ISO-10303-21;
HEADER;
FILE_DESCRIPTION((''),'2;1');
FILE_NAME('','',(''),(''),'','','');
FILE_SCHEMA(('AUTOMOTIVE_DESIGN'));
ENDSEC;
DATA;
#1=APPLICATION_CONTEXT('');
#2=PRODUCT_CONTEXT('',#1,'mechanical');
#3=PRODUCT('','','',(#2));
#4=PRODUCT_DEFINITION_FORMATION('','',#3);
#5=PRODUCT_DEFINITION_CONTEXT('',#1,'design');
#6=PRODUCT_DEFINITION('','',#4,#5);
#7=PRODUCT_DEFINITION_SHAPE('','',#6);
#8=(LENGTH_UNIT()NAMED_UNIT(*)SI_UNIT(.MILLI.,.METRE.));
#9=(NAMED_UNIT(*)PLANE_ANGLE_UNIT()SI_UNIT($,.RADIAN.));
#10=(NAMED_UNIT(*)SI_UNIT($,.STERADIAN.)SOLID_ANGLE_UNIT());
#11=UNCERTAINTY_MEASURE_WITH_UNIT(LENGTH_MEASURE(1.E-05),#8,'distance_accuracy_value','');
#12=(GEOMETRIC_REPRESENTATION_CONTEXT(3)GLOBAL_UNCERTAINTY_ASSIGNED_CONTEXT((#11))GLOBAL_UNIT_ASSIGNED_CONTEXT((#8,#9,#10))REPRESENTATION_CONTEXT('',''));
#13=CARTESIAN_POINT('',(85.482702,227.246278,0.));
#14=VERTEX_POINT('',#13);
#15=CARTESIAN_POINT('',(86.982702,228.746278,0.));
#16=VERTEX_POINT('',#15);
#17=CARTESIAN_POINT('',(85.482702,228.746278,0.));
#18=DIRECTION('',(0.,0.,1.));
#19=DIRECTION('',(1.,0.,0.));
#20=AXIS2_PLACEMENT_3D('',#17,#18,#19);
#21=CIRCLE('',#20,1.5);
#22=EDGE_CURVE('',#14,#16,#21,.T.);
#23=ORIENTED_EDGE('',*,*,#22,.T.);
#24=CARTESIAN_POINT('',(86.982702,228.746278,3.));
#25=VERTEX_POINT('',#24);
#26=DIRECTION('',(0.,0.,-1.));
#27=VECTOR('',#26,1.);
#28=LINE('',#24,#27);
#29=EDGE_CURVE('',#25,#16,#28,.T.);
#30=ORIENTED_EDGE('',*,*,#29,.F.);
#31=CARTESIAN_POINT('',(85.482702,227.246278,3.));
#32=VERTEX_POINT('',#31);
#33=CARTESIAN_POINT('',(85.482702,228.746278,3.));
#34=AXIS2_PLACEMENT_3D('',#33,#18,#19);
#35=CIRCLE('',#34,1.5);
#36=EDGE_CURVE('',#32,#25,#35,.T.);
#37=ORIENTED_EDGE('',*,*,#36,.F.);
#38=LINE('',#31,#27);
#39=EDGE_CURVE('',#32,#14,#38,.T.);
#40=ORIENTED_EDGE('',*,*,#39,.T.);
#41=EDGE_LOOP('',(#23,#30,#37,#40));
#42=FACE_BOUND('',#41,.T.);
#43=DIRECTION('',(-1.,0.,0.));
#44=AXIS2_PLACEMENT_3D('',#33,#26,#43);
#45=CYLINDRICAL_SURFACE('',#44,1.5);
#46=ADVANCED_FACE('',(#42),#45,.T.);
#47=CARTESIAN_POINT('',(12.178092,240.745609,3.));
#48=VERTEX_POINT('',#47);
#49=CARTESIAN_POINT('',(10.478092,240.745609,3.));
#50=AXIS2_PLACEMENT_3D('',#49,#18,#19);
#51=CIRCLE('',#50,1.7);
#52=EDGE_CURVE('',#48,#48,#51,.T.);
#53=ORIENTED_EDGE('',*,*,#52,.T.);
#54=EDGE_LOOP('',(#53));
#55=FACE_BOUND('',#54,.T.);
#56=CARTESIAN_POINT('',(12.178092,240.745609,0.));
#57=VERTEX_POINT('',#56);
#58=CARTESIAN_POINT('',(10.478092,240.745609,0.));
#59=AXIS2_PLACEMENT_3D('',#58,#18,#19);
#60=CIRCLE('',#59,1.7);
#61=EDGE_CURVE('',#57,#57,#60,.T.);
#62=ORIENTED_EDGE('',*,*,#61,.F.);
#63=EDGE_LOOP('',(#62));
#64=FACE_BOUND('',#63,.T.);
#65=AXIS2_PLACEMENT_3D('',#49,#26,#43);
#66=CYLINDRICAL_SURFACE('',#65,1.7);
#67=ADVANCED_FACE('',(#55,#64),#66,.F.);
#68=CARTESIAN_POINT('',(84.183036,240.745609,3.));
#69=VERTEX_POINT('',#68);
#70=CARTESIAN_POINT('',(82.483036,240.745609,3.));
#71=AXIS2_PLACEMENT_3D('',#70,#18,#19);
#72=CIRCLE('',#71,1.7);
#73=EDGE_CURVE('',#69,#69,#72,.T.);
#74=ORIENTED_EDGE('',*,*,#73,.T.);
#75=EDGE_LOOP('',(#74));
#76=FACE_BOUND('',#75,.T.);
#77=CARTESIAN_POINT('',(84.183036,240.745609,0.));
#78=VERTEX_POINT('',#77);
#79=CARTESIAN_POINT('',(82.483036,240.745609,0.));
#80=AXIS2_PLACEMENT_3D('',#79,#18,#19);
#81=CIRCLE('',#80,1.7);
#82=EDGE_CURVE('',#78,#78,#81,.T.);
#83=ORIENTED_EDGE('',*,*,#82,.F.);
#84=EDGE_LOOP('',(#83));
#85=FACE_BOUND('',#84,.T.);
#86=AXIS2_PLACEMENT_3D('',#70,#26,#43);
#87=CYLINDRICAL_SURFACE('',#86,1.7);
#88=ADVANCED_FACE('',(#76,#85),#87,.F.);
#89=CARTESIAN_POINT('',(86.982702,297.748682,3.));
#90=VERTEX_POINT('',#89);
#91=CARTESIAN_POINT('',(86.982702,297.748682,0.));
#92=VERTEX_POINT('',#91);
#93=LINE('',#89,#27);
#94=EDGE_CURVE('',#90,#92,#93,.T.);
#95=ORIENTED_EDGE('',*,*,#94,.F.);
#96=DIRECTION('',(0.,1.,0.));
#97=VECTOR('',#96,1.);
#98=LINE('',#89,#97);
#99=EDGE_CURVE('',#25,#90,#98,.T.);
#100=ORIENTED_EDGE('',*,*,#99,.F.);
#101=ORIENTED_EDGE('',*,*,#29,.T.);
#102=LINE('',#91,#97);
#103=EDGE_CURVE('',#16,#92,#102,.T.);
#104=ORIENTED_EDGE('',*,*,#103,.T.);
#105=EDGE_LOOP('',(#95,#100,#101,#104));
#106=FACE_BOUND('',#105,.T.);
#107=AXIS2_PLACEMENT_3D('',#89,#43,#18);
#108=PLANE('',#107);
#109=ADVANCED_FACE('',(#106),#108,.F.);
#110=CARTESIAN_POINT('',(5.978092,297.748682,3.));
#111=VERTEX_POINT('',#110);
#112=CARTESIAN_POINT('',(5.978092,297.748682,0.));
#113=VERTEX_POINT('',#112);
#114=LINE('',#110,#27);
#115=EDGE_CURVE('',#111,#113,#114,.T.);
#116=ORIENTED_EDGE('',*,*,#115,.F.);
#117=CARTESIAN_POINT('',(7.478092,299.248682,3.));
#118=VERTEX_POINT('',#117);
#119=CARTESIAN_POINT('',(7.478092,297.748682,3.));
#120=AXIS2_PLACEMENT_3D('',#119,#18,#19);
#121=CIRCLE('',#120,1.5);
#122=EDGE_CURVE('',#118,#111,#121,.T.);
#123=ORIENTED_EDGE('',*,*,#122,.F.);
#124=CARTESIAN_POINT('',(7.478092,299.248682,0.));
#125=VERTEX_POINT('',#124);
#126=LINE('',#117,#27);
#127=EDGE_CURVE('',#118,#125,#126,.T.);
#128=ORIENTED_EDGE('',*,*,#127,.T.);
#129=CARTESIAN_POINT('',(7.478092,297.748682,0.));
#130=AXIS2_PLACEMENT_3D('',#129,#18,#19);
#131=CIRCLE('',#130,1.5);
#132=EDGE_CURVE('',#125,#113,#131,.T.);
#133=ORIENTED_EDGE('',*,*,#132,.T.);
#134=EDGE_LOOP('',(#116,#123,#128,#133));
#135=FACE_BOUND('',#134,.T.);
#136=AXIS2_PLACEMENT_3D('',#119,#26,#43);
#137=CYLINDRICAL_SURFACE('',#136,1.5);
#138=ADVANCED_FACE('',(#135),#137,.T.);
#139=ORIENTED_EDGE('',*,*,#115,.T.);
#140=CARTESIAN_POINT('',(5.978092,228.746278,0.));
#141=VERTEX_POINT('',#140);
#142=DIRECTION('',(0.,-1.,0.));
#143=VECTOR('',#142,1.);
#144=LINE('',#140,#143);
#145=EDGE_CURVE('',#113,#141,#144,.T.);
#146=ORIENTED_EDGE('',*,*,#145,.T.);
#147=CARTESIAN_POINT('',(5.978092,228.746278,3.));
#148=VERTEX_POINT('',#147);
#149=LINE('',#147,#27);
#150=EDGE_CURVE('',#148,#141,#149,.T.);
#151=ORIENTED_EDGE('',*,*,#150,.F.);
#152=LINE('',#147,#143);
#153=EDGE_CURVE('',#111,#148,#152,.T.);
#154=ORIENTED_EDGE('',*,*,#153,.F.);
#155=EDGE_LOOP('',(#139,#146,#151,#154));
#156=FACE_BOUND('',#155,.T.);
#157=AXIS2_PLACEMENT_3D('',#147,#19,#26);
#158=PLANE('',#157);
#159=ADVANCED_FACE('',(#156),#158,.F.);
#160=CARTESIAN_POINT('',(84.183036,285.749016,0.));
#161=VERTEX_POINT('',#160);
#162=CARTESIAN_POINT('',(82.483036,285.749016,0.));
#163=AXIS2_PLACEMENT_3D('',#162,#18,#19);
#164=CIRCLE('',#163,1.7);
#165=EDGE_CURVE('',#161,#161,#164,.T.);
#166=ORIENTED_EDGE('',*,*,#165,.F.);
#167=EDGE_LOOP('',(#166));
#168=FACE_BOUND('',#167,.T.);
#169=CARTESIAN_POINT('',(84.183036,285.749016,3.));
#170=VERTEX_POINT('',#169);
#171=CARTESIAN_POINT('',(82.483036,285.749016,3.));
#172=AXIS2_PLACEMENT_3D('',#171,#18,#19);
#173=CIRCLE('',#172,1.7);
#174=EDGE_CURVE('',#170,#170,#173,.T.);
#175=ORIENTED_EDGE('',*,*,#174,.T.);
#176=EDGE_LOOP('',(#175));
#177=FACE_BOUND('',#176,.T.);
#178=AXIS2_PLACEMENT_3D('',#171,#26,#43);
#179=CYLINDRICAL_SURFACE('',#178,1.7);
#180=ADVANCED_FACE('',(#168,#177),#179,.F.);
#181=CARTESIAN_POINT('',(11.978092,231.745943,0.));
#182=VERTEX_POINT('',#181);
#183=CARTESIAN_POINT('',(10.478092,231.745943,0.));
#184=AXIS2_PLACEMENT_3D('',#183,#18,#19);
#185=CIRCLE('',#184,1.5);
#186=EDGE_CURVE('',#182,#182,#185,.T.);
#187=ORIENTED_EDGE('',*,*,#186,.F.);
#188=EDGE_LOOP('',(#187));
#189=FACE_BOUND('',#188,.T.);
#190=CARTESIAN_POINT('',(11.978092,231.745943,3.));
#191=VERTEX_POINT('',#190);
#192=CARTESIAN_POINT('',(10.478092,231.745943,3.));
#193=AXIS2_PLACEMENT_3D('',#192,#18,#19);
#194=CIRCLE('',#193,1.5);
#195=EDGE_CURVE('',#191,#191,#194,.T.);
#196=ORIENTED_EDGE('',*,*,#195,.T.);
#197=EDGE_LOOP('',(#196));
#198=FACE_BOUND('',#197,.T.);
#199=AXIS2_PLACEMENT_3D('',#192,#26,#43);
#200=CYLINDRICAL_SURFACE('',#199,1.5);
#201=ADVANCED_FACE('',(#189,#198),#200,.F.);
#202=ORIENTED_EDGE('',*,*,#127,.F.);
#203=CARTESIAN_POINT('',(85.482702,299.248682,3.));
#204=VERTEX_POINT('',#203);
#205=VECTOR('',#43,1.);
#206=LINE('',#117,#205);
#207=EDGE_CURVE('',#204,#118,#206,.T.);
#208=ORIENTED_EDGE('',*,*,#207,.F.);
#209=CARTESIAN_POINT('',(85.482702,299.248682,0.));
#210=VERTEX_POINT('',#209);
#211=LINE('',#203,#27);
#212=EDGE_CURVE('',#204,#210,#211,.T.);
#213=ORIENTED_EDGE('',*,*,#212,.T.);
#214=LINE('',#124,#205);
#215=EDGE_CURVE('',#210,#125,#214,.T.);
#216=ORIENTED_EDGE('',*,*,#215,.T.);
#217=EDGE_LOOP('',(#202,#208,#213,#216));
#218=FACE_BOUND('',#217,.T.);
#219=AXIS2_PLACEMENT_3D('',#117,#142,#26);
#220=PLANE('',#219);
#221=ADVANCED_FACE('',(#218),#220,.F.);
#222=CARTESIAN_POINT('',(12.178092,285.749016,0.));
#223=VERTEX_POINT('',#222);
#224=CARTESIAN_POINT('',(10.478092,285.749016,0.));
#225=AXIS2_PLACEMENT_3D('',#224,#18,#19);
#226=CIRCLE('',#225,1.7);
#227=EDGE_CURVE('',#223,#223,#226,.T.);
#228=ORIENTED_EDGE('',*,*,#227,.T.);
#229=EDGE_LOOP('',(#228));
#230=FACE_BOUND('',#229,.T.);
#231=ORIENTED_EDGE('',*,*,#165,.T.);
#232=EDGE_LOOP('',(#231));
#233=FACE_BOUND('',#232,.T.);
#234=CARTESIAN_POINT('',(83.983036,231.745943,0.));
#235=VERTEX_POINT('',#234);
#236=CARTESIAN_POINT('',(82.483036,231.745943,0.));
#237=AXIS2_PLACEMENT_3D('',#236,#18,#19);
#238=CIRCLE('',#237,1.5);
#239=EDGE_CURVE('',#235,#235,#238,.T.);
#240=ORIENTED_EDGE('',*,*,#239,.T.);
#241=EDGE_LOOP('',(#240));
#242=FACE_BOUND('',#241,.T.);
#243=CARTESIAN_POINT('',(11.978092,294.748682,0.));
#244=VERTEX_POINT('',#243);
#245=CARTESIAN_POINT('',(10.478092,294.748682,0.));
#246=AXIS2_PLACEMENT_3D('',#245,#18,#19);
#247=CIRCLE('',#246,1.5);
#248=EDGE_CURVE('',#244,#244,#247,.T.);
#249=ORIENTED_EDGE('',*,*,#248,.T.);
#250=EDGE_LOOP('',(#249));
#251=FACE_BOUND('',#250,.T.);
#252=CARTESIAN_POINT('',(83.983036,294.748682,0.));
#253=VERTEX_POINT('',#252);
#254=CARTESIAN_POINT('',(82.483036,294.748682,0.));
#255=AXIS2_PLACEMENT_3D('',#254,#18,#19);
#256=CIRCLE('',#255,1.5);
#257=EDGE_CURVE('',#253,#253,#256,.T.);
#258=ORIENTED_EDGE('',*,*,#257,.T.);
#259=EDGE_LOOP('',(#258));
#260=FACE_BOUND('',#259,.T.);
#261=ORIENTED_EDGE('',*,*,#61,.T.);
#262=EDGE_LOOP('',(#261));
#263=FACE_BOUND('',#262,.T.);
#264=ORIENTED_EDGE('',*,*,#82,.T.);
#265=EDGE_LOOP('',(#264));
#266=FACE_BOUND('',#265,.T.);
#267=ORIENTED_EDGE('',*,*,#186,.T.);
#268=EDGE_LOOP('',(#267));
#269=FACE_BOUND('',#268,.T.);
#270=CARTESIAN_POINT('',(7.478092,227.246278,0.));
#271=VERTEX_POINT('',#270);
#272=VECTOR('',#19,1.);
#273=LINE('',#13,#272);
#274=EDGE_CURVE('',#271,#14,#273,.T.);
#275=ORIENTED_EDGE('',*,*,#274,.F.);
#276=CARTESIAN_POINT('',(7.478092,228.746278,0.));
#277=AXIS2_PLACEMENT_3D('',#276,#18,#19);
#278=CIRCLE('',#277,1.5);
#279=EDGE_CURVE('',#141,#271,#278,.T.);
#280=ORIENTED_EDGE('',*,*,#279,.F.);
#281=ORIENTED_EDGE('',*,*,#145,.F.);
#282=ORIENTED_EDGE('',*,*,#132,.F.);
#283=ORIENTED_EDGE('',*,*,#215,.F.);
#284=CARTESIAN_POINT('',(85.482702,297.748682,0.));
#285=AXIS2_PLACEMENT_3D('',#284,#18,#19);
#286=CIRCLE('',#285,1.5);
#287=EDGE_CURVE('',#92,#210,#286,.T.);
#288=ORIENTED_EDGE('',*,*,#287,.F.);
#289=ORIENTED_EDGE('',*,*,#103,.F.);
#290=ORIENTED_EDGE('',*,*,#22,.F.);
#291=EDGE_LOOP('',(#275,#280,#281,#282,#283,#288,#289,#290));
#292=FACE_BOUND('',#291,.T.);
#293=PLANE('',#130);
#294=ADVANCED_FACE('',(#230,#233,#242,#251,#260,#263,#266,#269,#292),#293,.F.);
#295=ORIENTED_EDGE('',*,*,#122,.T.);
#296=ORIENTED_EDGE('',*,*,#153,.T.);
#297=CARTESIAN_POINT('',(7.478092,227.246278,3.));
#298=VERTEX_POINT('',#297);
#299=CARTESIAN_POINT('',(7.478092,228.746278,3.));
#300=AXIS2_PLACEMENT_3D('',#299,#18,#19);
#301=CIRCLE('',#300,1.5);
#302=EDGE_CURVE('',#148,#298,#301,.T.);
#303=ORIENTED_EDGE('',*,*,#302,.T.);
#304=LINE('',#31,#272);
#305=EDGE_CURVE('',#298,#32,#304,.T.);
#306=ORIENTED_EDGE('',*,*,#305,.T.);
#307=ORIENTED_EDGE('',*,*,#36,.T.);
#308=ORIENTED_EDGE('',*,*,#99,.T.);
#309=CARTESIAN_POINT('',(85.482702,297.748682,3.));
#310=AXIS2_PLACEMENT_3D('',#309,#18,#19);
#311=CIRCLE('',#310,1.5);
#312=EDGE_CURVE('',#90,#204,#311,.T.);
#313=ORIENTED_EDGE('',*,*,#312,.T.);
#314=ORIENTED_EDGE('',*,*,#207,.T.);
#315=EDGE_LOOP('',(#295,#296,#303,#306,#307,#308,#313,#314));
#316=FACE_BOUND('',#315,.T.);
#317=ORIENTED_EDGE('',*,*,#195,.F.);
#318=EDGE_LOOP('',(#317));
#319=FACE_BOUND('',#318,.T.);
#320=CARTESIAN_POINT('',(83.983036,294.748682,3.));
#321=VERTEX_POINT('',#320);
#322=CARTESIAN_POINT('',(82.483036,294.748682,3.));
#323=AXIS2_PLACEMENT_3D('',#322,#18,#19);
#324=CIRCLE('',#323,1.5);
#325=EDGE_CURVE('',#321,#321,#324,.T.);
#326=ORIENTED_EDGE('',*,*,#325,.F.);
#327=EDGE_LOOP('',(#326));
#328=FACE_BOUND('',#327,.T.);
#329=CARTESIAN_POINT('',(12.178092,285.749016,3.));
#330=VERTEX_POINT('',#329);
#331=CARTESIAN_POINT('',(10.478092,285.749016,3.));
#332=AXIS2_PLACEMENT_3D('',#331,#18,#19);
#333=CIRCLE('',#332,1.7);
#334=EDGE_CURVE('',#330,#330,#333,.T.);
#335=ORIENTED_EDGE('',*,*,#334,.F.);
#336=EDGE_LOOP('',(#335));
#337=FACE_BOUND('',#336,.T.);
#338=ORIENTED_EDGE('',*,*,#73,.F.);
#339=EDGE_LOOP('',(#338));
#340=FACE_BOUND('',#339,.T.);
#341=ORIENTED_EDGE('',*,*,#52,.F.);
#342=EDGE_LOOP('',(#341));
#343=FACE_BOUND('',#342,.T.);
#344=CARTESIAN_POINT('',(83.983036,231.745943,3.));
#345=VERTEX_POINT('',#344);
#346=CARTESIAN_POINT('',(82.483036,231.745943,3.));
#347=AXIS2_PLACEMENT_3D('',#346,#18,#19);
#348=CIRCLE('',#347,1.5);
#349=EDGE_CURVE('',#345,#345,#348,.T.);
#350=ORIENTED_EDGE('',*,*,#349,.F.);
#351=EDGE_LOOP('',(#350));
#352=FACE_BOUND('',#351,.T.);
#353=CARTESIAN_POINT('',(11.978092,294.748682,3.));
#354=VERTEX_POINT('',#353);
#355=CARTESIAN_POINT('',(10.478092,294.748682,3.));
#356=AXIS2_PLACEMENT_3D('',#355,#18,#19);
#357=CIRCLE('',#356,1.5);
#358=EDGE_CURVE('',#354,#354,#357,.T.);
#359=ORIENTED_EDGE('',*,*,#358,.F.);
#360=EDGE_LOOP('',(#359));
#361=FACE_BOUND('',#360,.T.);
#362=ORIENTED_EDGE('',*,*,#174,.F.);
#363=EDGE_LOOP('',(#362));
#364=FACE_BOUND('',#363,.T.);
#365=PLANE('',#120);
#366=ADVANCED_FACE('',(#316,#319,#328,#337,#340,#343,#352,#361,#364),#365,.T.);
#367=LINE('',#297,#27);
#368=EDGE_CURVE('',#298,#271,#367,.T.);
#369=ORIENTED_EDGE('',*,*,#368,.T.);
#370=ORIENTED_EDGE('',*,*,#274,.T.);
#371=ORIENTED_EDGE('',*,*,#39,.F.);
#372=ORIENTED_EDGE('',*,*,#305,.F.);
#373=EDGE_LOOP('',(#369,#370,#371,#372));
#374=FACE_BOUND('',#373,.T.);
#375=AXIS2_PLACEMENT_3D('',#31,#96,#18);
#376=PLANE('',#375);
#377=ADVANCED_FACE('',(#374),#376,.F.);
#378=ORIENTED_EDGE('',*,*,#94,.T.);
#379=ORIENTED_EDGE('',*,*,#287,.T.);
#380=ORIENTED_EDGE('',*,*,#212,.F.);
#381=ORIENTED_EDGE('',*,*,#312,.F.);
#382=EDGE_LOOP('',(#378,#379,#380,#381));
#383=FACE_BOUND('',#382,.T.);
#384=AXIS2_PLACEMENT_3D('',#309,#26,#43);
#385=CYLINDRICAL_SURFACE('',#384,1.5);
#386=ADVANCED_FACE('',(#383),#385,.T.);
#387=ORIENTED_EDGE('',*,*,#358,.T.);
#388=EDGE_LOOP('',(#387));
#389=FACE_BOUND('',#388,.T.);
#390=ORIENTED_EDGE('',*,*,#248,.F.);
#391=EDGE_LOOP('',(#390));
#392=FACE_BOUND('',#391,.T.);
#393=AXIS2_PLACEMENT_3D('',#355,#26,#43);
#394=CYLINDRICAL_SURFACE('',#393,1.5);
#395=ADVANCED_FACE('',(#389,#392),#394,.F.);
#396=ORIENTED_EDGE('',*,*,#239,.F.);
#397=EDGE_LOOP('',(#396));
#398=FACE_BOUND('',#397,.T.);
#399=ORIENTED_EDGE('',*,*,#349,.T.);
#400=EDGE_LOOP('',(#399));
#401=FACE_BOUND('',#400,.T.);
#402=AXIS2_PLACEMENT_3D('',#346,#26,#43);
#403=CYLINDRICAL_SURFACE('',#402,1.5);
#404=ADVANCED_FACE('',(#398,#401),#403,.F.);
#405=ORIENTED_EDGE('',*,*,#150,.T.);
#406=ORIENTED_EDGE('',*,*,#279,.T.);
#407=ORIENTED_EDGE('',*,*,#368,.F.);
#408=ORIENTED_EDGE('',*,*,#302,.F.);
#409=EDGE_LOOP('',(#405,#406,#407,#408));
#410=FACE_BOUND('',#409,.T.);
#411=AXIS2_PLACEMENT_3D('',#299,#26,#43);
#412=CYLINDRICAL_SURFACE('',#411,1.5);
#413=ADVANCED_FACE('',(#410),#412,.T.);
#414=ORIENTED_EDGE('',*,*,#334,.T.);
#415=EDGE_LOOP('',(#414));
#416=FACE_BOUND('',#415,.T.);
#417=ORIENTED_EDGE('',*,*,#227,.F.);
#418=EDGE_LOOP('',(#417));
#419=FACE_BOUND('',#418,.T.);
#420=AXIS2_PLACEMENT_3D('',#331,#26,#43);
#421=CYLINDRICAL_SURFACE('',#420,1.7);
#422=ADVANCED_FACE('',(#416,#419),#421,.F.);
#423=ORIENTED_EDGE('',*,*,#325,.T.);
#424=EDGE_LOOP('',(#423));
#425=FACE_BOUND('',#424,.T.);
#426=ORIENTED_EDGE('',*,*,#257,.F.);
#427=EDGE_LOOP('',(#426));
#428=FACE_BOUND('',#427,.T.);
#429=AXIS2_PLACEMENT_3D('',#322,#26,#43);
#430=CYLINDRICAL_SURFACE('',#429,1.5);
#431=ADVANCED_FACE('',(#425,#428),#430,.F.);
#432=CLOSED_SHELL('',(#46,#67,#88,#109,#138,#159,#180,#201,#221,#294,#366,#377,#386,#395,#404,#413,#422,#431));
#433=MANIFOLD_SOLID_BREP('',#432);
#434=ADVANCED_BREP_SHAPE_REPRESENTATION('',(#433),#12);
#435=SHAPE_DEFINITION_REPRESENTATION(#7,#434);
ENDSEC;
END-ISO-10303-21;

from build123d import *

# Parameters (mm, degrees)
MODEL_R                 = 1.5
MODEL_R_2               = 1.7
SALIENTE_EXTRUIR1_DEPTH = 3


with BuildPart() as part:
    # Model → Saliente-Extruir1 (new body)
    with BuildSketch(Plane.XY):
        with BuildLine():
            Line((85.482701858, 227.246277544), (7.478092, 227.246277544))
            ThreePointArc((7.478092, 227.246277544), (6.417431828, 227.685617372), (5.978092, 228.746277544))
            Line((5.978092, 228.746277544), (5.978092, 297.748681778))
            ThreePointArc((5.978092, 297.748681778), (6.417431828, 298.80934195), (7.478092, 299.248681778))
            Line((7.478092, 299.248681778), (85.482701858, 299.248681778))
            ThreePointArc((85.482701858, 299.248681778), (86.54336203, 298.80934195), (86.982701858, 297.748681778))
            Line((86.982701858, 297.748681778), (86.982701858, 228.746277544))
            ThreePointArc((86.982701858, 228.746277544), (86.54336203, 227.685617372), (85.482701858, 227.246277544))
        make_face()
        with Locations((82.48303636, 294.748681778)):
            Circle(MODEL_R, mode=Mode.SUBTRACT)
        with Locations((10.478092, 231.745943042)):
            Circle(MODEL_R, mode=Mode.SUBTRACT)
        with Locations((82.48303636, 231.745943042)):
            Circle(MODEL_R, mode=Mode.SUBTRACT)
        with Locations((10.478092, 294.748681778)):
            Circle(MODEL_R, mode=Mode.SUBTRACT)
        with Locations((10.478092, 240.74560854)):
            Circle(MODEL_R_2, mode=Mode.SUBTRACT)
        with Locations((10.478092, 285.74901628)):
            Circle(MODEL_R_2, mode=Mode.SUBTRACT)
        with Locations((82.48303636, 240.74560854)):
            Circle(MODEL_R_2, mode=Mode.SUBTRACT)
        with Locations((82.48303636, 285.74901628)):
            Circle(MODEL_R_2, mode=Mode.SUBTRACT)
    extrude(amount=SALIENTE_EXTRUIR1_DEPTH)


solid = part.part
